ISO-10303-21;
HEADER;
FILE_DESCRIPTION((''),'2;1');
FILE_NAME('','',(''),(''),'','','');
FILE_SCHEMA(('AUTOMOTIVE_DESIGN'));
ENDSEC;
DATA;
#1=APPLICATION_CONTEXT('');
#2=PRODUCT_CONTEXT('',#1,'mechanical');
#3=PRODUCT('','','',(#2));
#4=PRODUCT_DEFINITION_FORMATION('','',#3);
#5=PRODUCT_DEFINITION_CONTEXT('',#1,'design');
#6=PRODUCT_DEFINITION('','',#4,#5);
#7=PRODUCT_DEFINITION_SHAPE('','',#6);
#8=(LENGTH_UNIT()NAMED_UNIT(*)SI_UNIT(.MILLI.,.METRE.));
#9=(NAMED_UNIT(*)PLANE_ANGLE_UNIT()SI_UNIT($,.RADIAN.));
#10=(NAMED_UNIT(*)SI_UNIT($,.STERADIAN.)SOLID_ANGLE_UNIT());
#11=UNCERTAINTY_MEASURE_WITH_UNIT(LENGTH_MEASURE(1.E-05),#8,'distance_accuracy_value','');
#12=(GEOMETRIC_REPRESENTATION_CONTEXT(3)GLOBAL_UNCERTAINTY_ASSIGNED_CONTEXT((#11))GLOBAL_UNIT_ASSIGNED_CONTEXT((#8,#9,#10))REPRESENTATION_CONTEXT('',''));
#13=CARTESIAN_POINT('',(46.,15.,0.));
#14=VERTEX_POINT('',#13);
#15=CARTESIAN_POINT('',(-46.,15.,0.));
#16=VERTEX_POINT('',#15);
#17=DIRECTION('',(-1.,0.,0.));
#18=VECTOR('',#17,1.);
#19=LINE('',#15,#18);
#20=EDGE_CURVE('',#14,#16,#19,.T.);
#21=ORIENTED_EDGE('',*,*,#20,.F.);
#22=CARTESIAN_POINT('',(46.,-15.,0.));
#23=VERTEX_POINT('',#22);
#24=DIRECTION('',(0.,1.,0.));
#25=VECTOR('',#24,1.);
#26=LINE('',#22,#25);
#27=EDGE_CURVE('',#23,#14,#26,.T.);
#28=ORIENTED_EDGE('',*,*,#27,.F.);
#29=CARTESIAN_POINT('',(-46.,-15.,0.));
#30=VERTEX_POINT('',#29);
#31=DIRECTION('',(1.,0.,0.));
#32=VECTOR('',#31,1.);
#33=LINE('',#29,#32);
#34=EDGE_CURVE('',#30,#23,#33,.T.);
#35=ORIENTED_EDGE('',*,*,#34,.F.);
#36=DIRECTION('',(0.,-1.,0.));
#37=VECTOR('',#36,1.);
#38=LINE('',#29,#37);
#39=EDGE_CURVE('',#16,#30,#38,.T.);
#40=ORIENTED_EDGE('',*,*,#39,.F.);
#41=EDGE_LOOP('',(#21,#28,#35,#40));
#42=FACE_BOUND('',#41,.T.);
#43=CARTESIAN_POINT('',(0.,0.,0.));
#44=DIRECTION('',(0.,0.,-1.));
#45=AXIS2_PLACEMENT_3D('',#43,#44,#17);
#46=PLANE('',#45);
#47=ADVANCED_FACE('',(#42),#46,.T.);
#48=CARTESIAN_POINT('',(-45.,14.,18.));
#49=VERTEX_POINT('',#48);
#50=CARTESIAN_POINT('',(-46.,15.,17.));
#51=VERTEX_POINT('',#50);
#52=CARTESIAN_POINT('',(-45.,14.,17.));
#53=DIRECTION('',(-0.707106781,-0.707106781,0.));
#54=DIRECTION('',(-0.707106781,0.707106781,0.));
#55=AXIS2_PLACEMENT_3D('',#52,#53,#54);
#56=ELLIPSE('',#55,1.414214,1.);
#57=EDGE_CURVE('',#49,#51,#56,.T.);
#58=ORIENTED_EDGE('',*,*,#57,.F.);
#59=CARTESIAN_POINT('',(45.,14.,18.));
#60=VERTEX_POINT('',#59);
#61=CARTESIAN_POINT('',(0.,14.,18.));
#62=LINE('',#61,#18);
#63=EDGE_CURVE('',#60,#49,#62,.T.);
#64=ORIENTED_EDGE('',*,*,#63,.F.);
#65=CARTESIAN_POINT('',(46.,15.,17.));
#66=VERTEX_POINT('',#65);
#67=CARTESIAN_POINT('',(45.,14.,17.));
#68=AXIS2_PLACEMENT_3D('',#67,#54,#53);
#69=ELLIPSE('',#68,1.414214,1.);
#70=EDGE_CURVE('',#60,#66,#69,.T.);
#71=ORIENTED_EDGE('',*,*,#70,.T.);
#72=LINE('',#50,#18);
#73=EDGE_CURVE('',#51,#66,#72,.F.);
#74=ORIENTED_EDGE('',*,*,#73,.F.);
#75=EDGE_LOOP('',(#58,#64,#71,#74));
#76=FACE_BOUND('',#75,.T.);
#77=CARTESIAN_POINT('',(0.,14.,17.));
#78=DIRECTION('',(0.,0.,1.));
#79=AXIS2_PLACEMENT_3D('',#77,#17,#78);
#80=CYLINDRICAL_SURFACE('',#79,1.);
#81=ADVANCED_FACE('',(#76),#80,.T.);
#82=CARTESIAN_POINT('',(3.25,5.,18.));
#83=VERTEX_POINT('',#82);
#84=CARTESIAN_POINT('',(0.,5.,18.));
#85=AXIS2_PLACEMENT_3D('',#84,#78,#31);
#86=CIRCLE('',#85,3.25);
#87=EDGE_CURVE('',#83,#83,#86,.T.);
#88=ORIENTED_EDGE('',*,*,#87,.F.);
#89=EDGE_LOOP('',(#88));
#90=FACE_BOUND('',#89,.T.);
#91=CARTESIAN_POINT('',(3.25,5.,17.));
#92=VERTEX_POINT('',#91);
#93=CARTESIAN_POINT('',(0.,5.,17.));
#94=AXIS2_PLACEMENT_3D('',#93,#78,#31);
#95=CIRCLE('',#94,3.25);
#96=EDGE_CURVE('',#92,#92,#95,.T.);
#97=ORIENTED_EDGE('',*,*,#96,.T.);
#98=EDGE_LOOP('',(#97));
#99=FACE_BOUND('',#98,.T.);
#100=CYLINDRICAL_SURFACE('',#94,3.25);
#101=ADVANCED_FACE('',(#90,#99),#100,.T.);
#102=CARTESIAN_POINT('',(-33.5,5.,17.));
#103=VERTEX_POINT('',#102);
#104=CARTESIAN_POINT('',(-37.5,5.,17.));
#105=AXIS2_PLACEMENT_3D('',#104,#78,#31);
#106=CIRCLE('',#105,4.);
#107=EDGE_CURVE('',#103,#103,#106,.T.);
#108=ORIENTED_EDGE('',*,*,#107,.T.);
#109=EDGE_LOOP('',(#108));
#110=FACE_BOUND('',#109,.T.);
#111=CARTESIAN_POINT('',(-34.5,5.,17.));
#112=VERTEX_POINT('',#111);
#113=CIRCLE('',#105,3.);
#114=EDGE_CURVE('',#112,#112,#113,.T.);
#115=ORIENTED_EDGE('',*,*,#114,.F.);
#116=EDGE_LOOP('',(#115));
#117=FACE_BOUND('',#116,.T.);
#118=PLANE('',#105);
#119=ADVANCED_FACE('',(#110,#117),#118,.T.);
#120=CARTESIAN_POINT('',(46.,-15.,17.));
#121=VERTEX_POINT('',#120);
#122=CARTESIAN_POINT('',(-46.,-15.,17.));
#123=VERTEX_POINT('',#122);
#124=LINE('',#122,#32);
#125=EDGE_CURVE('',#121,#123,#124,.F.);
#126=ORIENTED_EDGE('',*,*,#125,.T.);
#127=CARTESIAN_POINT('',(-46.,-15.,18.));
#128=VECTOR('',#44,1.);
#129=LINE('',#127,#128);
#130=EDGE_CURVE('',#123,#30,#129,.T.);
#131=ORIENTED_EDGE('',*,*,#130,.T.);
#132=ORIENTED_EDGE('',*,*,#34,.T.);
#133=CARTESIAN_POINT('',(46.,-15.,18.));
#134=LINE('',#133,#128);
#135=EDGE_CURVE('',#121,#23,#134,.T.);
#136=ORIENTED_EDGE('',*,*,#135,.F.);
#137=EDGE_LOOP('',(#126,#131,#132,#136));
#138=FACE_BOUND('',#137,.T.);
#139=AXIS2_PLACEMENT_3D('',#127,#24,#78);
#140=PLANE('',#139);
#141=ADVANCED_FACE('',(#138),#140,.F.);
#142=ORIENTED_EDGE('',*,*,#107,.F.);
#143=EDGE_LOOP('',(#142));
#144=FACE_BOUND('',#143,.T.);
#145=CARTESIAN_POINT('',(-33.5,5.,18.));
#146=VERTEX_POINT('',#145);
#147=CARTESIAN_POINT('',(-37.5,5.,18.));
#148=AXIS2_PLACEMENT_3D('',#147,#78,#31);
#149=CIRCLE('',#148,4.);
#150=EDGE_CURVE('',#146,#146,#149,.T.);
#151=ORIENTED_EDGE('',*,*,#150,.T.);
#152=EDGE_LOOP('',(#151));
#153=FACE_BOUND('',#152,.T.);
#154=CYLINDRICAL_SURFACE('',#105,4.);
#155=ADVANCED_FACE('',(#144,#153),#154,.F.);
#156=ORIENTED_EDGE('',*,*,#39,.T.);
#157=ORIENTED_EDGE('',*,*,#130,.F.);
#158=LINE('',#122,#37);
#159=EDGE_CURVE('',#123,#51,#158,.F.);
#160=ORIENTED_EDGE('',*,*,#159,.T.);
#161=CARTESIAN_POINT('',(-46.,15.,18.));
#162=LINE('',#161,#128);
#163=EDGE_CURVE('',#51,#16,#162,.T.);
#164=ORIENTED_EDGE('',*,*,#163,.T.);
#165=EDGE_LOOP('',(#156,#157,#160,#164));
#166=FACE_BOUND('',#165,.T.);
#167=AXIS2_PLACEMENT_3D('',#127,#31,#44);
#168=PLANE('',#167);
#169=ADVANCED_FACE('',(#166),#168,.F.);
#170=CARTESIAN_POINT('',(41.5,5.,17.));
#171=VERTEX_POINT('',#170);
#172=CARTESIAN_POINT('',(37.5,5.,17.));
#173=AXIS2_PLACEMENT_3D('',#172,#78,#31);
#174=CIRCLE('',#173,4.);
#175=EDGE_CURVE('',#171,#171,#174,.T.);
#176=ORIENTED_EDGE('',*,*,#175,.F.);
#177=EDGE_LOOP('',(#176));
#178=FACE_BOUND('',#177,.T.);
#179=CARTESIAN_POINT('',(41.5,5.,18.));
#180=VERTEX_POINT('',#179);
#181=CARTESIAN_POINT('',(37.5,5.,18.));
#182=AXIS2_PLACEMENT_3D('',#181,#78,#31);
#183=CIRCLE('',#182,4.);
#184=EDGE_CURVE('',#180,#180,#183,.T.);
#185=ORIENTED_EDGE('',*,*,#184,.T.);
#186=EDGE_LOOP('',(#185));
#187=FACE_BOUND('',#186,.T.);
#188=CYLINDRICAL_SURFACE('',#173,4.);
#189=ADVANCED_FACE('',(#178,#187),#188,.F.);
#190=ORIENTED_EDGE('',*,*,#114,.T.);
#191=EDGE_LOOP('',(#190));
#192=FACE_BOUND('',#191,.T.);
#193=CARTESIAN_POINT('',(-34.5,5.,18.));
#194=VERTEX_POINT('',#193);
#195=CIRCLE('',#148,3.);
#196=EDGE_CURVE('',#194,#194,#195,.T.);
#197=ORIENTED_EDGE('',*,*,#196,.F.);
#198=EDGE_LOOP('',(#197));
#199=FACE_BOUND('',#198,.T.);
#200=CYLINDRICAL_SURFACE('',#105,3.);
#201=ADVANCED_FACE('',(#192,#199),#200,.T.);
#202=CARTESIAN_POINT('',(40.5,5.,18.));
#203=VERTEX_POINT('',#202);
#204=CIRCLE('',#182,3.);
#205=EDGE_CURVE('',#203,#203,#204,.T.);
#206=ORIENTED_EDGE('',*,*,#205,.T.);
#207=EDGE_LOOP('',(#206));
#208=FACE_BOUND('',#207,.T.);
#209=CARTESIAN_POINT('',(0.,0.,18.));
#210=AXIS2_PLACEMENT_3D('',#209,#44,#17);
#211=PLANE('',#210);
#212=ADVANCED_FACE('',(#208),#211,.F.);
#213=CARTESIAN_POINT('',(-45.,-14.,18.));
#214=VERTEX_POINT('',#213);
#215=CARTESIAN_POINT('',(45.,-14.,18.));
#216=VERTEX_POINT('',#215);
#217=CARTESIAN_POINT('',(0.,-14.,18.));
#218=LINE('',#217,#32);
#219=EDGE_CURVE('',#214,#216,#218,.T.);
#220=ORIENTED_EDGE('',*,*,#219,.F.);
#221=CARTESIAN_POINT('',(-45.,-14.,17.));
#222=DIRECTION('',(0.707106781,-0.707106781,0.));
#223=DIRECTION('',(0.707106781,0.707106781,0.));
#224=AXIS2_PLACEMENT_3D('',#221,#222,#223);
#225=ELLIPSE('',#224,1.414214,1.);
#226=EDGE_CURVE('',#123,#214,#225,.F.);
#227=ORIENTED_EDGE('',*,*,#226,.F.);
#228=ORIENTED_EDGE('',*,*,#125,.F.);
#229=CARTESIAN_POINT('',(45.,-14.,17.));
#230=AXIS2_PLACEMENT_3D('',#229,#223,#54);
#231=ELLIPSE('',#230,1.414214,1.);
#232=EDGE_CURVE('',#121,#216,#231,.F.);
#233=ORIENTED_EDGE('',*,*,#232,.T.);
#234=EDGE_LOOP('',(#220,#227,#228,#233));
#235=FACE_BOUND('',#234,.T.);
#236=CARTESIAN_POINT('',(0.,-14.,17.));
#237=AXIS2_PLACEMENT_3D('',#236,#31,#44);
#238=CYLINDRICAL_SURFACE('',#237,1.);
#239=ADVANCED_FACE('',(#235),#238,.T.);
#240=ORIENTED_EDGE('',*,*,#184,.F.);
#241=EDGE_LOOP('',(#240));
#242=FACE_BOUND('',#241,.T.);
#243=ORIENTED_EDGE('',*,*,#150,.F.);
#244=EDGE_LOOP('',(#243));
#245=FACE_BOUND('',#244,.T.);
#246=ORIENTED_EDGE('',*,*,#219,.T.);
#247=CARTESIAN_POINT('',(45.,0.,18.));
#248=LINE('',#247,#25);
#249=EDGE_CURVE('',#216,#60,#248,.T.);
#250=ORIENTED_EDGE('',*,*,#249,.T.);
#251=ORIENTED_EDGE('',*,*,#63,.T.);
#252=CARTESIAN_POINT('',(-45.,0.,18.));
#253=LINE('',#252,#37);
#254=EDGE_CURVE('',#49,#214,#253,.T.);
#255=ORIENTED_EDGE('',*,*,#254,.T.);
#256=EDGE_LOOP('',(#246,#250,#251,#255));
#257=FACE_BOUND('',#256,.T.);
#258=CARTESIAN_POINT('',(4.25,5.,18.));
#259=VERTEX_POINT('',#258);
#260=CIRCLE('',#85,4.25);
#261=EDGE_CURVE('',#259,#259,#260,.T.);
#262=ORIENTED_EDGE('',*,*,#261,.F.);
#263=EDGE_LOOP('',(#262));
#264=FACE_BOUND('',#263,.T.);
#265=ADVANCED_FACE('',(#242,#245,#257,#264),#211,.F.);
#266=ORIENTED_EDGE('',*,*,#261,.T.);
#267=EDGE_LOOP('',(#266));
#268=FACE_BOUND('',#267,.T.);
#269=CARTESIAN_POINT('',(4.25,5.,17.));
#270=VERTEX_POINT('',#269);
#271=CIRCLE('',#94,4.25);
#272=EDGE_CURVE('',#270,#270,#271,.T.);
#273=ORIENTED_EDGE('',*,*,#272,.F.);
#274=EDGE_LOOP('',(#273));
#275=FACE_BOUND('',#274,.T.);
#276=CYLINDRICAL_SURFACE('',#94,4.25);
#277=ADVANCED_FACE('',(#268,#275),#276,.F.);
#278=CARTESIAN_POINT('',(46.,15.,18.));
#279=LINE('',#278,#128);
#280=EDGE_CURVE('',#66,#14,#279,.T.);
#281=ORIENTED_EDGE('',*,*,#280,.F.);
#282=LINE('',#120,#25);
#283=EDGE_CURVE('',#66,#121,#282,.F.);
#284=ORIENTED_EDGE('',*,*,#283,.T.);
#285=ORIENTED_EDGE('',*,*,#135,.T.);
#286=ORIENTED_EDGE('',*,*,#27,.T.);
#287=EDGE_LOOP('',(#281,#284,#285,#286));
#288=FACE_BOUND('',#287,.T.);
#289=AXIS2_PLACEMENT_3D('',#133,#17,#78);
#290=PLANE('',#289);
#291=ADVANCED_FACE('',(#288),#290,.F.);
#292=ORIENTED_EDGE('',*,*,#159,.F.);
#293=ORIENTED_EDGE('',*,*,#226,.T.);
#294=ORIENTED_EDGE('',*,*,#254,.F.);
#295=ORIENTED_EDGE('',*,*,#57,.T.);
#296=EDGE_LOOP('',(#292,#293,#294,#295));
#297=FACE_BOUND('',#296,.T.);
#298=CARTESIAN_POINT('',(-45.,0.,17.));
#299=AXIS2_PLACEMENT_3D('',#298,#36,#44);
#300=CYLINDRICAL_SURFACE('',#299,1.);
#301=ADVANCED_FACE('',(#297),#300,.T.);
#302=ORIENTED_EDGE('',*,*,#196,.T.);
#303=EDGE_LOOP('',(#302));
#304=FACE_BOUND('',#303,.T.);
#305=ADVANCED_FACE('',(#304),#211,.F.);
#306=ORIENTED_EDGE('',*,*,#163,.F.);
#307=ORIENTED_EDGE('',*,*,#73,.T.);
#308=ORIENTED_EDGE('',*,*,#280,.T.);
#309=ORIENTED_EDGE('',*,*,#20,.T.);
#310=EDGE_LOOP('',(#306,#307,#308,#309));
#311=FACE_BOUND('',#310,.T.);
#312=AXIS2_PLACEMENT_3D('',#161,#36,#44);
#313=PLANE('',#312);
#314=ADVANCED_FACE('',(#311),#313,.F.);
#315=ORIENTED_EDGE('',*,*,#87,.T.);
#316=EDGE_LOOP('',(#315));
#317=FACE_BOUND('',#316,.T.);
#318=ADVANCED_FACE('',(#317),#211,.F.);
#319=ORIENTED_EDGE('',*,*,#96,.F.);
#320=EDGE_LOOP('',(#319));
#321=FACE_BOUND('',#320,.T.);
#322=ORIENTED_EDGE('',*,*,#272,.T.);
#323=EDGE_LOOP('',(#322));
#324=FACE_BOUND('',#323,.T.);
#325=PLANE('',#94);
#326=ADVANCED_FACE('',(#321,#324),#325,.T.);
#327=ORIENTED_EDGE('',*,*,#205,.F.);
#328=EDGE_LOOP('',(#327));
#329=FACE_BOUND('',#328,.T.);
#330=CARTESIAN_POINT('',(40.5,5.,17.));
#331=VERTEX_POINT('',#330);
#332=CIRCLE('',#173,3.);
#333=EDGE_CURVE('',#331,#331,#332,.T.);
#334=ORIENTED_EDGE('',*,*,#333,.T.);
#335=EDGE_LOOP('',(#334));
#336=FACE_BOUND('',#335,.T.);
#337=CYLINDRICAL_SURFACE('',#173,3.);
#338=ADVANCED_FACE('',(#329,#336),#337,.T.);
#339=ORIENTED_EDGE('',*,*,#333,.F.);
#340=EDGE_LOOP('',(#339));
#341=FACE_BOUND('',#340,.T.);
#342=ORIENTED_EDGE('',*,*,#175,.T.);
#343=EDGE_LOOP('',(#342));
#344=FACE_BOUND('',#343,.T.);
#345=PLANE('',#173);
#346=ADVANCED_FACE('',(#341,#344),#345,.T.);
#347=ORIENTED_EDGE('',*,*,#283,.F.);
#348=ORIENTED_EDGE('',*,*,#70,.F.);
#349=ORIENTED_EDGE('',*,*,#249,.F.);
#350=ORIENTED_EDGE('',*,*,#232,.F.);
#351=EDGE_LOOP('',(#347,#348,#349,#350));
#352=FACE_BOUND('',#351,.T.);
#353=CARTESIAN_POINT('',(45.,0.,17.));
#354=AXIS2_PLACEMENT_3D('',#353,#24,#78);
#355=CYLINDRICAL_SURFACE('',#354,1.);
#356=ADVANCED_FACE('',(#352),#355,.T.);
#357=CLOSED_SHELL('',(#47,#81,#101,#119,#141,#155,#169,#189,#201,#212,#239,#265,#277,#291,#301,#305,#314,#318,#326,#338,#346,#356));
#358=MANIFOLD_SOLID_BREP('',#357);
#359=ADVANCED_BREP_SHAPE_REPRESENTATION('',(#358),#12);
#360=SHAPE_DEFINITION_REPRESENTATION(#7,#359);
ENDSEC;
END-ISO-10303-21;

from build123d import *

# Parameters (mm, degrees)
SKETCH1_W           = 92
SKETCH1_H           = 30
BOSS_EXTRUDE1_DEPTH = 18
SKETCH2_R           = 4
SKETCH2_R_2         = 3
SKETCH2_R_3         = 4.25
SKETCH2_R_4         = 3.25
CUT_EXTRUDE1_DEPTH  = 1
FILLET1_R           = 1


with BuildPart() as part:
    # Sketch1 → Boss-Extrude1 (new body)
    with BuildSketch(Plane.XY):
        Rectangle(SKETCH1_W, SKETCH1_H)
    extrude(amount=BOSS_EXTRUDE1_DEPTH)

    # Sketch2 → Cut-Extrude1 (cut)
    # profile 1 of 3: a face of its own
    with BuildSketch(Plane.XY.offset(18)):
        with Locations((-37.5, 5)):
            Circle(SKETCH2_R)
        with Locations((-37.5, 5)):
            Circle(SKETCH2_R_2, mode=Mode.SUBTRACT)
    # profile 2 of 3: a face of its own
    with BuildSketch(Plane.XY.offset(18)):
        with Locations((0, 5)):
            Circle(SKETCH2_R_3)
        with Locations((0, 5)):
            Circle(SKETCH2_R_4, mode=Mode.SUBTRACT)
    # profile 3 of 3: a face of its own
    with BuildSketch(Plane.XY.offset(18)):
        with Locations((37.5, 5)):
            Circle(SKETCH2_R)
        with Locations((37.5, 5)):
            Circle(SKETCH2_R_2, mode=Mode.SUBTRACT)
    extrude(amount=-CUT_EXTRUDE1_DEPTH, mode=Mode.SUBTRACT)

    # Fillet1
    fillet1_edges = [part.edges().sort_by_distance(p)[0] for p in [
        (-46, 0, 18),
        (0, -15, 18),
        (46, 0, 18),
        (0, 15, 18),
    ]]
    fillet(fillet1_edges, radius=FILLET1_R)


solid = part.part
